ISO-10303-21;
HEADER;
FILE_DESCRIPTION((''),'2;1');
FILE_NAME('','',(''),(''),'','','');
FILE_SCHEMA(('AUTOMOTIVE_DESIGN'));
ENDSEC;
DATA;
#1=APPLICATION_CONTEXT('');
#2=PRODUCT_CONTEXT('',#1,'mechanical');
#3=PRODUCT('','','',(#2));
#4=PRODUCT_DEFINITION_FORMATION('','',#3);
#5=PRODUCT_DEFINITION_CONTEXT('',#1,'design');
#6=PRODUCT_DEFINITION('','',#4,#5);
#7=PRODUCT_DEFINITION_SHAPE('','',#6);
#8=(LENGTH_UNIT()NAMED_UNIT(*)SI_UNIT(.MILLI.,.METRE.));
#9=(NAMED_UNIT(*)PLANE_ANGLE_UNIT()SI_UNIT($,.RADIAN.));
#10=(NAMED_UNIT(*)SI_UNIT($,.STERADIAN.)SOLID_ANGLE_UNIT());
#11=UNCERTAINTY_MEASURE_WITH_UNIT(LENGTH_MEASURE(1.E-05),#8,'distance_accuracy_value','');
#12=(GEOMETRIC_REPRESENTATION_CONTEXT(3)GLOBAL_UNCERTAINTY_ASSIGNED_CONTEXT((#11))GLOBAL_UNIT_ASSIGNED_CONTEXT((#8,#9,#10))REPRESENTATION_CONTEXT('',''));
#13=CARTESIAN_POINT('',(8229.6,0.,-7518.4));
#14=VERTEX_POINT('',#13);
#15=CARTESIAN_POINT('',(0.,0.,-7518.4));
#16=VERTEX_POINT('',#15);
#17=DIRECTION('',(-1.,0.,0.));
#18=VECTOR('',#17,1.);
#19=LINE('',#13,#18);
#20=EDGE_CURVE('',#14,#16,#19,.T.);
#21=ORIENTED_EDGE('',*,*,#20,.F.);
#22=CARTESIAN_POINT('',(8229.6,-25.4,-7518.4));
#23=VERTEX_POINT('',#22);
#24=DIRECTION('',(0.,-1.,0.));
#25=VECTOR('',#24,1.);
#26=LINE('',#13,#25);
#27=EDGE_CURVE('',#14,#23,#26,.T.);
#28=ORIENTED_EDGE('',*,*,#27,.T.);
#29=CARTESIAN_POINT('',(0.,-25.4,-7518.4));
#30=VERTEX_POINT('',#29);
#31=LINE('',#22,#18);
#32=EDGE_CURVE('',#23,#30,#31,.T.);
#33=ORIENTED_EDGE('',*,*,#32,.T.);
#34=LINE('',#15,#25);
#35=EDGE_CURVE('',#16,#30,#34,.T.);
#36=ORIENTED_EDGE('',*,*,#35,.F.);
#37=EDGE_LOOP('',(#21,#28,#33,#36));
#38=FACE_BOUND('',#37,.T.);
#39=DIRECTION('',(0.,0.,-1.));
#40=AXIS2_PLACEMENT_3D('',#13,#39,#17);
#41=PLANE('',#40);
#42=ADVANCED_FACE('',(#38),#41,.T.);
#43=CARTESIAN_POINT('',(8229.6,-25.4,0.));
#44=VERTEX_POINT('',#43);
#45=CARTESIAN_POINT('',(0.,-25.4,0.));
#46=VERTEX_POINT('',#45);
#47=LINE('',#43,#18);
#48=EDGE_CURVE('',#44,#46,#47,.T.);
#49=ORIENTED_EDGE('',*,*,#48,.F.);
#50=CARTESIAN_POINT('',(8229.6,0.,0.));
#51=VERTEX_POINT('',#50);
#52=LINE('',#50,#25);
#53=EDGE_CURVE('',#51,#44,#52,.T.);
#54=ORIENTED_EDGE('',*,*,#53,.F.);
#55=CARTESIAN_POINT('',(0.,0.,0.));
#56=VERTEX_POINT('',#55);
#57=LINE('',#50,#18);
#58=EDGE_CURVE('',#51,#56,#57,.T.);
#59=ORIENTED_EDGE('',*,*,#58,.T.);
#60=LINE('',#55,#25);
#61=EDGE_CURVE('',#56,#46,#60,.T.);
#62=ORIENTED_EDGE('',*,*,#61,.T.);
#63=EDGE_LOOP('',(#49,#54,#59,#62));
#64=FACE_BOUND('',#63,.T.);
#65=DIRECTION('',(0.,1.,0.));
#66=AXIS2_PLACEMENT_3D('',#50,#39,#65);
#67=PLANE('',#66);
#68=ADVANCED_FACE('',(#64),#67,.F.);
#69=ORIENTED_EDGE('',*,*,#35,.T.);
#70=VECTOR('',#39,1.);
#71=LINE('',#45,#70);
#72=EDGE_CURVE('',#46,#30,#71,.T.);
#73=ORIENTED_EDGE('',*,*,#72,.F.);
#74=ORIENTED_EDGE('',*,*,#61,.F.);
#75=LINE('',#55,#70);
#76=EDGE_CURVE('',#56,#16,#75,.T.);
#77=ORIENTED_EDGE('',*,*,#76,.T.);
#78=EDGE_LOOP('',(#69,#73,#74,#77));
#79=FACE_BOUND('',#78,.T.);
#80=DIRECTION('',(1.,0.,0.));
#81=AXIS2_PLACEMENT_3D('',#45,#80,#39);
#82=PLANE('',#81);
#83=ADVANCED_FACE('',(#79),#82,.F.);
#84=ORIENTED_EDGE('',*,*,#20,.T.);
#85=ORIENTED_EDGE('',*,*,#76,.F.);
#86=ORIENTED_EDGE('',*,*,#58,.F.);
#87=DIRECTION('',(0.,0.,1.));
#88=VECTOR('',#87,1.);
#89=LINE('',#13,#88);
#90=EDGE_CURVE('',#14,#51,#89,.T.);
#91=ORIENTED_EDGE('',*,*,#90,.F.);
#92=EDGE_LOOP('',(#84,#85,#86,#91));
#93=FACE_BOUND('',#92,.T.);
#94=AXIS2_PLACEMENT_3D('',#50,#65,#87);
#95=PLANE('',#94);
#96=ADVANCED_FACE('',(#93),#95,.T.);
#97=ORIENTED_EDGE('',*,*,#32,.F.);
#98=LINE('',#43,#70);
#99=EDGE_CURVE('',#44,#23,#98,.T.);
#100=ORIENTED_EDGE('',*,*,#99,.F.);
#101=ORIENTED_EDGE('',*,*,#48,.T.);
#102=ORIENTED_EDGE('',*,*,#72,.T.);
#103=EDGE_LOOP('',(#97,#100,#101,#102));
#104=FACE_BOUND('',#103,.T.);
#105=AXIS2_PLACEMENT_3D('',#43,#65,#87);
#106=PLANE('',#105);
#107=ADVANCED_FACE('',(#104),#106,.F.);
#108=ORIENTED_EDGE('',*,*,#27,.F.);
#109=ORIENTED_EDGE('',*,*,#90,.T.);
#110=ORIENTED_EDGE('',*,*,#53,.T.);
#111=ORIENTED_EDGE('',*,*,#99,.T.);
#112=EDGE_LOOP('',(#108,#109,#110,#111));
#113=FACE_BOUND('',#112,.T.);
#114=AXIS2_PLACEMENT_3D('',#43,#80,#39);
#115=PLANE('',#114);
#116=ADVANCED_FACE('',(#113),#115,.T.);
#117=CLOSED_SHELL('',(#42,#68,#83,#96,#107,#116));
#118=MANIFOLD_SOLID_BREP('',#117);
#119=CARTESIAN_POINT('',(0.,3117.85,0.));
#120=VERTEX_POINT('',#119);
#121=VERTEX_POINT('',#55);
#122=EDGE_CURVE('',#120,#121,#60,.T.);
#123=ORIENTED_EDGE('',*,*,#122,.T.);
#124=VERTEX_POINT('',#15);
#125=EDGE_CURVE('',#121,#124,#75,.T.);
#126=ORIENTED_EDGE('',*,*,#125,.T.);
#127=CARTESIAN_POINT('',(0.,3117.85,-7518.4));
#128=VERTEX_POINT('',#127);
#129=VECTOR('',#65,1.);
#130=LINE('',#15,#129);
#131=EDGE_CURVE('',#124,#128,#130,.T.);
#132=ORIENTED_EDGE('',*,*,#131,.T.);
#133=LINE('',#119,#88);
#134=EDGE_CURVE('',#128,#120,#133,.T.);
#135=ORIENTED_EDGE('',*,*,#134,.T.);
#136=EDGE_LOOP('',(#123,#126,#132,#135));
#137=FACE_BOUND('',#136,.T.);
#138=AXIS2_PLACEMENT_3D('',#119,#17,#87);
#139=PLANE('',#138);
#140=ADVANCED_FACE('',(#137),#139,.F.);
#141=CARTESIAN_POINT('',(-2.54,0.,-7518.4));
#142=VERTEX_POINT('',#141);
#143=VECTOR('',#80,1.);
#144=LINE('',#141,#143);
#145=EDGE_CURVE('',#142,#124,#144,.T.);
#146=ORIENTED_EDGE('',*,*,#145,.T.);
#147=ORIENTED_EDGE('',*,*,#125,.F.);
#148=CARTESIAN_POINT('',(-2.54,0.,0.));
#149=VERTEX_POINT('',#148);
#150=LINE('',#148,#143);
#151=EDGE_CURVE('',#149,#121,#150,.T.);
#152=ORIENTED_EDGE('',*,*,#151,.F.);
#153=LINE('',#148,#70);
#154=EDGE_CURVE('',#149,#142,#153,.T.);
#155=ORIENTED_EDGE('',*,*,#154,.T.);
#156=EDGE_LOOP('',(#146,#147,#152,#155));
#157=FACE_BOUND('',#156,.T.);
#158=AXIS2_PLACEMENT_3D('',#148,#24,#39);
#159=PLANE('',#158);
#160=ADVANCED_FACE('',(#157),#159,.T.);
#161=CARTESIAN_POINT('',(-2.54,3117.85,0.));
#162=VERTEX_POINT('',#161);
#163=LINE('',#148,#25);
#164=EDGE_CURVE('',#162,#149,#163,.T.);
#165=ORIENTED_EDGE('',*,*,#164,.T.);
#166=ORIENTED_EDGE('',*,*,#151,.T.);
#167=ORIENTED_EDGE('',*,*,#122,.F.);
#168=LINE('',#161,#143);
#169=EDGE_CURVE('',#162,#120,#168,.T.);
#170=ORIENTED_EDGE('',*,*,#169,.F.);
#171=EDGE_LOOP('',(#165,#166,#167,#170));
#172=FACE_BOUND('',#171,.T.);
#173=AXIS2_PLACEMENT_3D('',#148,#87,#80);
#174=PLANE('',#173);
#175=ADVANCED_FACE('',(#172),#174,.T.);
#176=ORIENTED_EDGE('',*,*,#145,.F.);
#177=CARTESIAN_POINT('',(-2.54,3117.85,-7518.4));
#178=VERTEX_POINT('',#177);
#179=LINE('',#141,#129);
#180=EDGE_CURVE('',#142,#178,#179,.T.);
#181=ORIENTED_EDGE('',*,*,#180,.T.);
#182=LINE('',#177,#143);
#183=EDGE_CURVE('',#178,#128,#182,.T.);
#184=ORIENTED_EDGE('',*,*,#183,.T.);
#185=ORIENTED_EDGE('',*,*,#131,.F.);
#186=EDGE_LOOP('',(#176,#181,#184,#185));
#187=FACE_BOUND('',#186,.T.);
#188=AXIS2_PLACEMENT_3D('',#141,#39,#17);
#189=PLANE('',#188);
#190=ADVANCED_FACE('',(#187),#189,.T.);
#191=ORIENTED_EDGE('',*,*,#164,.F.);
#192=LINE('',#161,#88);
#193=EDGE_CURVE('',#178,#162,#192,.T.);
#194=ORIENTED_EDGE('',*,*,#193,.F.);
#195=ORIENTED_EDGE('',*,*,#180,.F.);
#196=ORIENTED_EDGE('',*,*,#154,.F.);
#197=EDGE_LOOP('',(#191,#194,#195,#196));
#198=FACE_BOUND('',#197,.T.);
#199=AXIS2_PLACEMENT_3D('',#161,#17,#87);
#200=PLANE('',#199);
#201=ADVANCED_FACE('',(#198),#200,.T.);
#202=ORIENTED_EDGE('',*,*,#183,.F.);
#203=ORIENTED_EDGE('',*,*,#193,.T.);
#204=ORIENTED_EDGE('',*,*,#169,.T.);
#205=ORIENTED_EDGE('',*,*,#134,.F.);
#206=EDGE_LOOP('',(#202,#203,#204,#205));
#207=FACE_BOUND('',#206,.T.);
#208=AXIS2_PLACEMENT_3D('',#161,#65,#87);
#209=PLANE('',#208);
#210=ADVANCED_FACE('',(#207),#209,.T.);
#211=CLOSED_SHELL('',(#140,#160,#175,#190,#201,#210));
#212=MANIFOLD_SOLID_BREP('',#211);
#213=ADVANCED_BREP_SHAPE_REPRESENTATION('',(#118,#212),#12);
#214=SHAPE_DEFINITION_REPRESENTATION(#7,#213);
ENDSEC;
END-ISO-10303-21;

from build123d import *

# Parameters (mm, degrees)
EXTRUDE3_DEPTH = 8229.6
SKETCH6_W      = 7518.4
SKETCH6_H      = 3117.85
EXTRUDE5_DEPTH = 2.54


with BuildPart() as part:
    # Sketch4 → Extrude3 (new body)
    with BuildSketch(Plane(origin=(0, 0, 0), x_dir=(0, 0, -1), z_dir=(1, 0, 0))):
        Polygon((0, 0), (838.2, 0), (6680.2, 0), (7518.4, 0), (7518.4, -25.4), (0, -25.4), align=None)
    extrude(amount=EXTRUDE3_DEPTH)


with BuildPart() as body_2:
    # Sketch6 → Extrude5 (new body)
    with BuildSketch(Plane(origin=(0, 0, 0), x_dir=(0, 0, -1), z_dir=(1, 0, 0))):
        with Locations((3759.2, 1558.925)):
            Rectangle(SKETCH6_W, SKETCH6_H)
    extrude(amount=-EXTRUDE5_DEPTH)


solid = Compound([part.part, body_2.part])
